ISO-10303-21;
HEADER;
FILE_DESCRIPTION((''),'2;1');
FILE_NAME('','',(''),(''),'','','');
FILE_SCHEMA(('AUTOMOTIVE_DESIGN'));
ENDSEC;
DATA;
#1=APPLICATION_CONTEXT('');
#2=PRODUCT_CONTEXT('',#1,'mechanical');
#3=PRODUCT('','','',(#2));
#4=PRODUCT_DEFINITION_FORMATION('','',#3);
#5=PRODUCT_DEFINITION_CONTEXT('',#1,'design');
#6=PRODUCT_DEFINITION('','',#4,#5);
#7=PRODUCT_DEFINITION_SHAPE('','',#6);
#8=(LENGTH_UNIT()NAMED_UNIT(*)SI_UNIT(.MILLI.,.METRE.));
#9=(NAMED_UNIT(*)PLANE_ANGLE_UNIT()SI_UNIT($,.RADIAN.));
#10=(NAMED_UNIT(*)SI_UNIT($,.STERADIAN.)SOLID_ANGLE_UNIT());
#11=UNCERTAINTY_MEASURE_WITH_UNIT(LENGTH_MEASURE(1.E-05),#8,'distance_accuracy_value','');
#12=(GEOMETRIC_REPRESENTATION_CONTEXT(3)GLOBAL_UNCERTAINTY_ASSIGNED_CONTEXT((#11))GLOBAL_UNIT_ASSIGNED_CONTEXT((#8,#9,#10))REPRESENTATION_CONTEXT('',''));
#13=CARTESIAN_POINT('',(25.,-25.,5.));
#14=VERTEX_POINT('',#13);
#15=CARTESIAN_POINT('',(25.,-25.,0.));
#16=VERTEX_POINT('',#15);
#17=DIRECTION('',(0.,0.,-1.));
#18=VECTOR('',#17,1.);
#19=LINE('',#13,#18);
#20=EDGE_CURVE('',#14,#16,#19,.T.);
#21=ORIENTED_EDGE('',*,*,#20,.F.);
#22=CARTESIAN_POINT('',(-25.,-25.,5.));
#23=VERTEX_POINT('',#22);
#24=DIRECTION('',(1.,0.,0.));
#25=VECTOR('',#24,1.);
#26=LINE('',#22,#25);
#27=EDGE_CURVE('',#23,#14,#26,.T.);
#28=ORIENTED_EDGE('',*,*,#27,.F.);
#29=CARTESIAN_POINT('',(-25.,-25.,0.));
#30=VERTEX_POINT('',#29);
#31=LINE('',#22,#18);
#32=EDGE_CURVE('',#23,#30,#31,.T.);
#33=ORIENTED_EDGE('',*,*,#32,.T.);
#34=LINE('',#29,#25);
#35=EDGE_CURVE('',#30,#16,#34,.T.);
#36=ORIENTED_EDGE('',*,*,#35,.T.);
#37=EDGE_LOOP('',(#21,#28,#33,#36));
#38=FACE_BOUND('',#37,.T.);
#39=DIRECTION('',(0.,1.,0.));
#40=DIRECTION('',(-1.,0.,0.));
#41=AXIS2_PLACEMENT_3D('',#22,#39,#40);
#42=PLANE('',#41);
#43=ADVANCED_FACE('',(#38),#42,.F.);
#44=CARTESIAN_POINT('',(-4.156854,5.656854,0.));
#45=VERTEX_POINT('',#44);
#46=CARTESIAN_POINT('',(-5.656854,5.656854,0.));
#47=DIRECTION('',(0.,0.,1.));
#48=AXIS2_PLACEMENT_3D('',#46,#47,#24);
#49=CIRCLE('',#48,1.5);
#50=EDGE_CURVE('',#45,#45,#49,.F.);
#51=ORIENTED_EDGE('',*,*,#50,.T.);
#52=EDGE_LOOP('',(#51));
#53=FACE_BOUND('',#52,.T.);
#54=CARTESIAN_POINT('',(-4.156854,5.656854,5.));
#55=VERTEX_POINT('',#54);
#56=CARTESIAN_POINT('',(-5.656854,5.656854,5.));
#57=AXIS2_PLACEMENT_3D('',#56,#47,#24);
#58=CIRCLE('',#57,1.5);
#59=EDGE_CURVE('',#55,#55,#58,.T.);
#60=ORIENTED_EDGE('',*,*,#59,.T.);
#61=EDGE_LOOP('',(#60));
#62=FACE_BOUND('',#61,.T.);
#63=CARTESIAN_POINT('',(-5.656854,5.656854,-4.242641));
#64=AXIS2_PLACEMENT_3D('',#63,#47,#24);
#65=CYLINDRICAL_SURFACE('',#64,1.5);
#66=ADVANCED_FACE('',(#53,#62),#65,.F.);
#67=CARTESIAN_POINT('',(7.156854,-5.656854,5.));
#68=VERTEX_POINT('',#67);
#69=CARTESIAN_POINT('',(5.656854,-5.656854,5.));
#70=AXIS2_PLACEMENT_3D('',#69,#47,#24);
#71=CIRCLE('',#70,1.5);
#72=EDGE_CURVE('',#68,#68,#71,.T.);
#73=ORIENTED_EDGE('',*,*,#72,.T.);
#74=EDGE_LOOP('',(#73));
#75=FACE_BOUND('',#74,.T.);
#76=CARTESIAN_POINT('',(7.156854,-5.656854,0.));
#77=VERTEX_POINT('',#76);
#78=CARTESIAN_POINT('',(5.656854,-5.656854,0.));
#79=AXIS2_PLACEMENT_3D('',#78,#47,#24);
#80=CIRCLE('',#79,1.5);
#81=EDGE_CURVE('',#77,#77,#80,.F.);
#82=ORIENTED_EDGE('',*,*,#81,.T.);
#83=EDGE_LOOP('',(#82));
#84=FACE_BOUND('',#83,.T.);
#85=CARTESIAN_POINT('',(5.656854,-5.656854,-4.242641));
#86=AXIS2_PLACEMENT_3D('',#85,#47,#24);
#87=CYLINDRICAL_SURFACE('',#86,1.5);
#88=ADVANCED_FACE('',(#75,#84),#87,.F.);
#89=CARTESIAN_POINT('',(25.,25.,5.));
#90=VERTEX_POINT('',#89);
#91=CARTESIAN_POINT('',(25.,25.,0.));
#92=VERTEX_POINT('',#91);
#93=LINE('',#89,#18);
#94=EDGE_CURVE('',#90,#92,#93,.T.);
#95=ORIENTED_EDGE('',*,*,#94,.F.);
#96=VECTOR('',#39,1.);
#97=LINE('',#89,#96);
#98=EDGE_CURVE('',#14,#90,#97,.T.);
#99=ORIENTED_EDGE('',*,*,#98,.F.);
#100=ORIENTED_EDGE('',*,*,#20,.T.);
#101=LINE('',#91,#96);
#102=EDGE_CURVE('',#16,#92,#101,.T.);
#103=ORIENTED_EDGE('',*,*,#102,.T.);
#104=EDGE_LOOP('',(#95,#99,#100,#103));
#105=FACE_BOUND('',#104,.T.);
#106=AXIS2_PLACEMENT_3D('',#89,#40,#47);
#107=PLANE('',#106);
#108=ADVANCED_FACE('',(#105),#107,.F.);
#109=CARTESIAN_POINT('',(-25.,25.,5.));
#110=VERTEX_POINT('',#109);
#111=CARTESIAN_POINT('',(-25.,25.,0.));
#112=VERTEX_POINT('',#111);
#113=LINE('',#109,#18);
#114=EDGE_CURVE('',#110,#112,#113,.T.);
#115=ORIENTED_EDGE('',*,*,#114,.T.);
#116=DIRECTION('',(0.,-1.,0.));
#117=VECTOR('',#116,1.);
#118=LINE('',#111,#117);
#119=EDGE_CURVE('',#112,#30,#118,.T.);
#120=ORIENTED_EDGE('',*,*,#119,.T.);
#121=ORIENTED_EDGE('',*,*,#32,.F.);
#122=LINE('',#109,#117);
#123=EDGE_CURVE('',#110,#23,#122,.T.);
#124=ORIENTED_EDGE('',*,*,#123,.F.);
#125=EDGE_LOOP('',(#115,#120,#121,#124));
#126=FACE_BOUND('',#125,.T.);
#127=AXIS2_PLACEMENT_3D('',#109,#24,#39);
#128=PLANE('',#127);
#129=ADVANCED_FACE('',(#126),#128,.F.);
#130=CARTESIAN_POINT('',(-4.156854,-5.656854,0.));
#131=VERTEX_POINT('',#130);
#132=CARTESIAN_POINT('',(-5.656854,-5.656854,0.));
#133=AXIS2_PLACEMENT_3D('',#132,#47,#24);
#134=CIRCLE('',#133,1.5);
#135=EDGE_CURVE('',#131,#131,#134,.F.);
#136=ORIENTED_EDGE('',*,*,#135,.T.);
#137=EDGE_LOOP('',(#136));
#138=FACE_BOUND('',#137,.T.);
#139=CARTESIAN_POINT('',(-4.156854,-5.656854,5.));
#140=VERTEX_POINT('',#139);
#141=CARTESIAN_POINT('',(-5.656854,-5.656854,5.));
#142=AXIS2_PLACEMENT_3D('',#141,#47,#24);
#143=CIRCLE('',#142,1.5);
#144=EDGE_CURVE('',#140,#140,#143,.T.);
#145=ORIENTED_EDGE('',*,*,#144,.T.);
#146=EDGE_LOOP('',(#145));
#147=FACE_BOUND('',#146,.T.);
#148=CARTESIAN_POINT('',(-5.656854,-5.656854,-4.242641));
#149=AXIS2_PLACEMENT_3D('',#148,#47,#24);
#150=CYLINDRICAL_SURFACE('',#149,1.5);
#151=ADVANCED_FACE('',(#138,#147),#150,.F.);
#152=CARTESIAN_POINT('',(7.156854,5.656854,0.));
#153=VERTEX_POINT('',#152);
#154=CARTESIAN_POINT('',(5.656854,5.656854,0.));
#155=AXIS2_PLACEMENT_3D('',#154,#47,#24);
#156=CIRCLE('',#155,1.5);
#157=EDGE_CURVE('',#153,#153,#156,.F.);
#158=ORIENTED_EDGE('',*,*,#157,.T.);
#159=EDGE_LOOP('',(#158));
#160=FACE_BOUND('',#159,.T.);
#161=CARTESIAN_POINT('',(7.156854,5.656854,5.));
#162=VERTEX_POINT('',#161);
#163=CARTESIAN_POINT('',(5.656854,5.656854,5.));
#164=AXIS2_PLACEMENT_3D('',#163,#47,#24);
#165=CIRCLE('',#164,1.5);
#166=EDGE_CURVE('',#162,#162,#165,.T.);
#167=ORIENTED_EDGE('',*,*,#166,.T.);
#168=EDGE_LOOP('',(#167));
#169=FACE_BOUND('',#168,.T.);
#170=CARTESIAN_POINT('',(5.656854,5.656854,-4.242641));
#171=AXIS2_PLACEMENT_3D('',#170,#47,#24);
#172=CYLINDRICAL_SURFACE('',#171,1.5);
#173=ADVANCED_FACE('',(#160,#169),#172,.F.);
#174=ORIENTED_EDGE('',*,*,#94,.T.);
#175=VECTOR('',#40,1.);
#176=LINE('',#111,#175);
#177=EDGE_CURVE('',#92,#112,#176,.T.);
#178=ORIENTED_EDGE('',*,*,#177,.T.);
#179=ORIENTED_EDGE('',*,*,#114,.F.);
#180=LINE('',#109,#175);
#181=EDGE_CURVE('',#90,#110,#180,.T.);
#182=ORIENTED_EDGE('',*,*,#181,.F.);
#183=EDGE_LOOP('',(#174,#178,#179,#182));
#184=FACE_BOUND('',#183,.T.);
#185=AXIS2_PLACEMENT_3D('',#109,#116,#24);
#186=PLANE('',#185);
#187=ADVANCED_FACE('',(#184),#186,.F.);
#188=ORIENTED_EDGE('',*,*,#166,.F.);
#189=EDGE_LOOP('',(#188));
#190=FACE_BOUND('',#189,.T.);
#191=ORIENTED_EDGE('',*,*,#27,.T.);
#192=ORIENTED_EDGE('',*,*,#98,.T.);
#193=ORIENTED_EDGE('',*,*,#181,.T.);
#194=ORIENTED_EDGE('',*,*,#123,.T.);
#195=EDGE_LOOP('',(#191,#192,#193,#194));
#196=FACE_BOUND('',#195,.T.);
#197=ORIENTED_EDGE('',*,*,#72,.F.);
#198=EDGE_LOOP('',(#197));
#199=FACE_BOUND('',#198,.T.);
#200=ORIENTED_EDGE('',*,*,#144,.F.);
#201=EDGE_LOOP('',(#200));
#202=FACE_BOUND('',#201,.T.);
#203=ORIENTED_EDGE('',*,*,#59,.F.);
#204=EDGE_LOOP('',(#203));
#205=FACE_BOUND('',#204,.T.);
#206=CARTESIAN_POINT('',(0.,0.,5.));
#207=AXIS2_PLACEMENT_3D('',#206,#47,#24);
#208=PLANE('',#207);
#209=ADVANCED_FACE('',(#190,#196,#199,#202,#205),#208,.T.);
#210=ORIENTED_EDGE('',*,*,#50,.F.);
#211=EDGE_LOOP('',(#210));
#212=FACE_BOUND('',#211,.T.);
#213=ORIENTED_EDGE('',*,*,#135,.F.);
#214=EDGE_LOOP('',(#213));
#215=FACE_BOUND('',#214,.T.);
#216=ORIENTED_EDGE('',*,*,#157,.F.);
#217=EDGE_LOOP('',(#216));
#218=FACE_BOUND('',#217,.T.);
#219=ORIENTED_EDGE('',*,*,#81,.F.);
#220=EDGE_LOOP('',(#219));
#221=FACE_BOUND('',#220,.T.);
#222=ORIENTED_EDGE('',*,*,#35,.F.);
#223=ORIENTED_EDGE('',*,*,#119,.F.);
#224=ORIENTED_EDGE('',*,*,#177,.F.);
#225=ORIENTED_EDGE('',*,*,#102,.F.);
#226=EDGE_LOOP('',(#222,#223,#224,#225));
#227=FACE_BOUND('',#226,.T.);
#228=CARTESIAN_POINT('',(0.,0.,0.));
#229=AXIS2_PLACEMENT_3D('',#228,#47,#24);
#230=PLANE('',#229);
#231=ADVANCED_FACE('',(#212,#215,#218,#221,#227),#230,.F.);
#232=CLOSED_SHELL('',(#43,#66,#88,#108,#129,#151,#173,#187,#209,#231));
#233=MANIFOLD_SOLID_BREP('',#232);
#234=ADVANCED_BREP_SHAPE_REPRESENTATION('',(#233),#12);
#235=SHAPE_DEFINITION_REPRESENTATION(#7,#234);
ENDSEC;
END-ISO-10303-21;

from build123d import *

# Parameters (mm, degrees)
SKETCH1_W           = 50
SKETCH1_H           = 50
BOSS_EXTRUDE1_DEPTH = 5
SKETCH2_R           = 1.5
CUT_EXTRUDE1_DEPTH  = 5


with BuildPart() as part:
    # Sketch1 → Boss-Extrude1 (new body)
    with BuildSketch(Plane.XY):
        Rectangle(SKETCH1_W, SKETCH1_H)
    extrude(amount=BOSS_EXTRUDE1_DEPTH)

    # Sketch2 → Cut-Extrude1 (cut)
    with BuildSketch(Plane.XY.offset(5)):
        with Locations((5.656854249, 5.656854249)):
            Circle(SKETCH2_R)
        with Locations((5.656854249, -5.656854249)):
            Circle(SKETCH2_R)
        with Locations((-5.656854249, -5.656854249)):
            Circle(SKETCH2_R)
        with Locations((-5.656854249, 5.656854249)):
            Circle(SKETCH2_R)
    extrude(amount=-CUT_EXTRUDE1_DEPTH, mode=Mode.SUBTRACT)


solid = part.part
